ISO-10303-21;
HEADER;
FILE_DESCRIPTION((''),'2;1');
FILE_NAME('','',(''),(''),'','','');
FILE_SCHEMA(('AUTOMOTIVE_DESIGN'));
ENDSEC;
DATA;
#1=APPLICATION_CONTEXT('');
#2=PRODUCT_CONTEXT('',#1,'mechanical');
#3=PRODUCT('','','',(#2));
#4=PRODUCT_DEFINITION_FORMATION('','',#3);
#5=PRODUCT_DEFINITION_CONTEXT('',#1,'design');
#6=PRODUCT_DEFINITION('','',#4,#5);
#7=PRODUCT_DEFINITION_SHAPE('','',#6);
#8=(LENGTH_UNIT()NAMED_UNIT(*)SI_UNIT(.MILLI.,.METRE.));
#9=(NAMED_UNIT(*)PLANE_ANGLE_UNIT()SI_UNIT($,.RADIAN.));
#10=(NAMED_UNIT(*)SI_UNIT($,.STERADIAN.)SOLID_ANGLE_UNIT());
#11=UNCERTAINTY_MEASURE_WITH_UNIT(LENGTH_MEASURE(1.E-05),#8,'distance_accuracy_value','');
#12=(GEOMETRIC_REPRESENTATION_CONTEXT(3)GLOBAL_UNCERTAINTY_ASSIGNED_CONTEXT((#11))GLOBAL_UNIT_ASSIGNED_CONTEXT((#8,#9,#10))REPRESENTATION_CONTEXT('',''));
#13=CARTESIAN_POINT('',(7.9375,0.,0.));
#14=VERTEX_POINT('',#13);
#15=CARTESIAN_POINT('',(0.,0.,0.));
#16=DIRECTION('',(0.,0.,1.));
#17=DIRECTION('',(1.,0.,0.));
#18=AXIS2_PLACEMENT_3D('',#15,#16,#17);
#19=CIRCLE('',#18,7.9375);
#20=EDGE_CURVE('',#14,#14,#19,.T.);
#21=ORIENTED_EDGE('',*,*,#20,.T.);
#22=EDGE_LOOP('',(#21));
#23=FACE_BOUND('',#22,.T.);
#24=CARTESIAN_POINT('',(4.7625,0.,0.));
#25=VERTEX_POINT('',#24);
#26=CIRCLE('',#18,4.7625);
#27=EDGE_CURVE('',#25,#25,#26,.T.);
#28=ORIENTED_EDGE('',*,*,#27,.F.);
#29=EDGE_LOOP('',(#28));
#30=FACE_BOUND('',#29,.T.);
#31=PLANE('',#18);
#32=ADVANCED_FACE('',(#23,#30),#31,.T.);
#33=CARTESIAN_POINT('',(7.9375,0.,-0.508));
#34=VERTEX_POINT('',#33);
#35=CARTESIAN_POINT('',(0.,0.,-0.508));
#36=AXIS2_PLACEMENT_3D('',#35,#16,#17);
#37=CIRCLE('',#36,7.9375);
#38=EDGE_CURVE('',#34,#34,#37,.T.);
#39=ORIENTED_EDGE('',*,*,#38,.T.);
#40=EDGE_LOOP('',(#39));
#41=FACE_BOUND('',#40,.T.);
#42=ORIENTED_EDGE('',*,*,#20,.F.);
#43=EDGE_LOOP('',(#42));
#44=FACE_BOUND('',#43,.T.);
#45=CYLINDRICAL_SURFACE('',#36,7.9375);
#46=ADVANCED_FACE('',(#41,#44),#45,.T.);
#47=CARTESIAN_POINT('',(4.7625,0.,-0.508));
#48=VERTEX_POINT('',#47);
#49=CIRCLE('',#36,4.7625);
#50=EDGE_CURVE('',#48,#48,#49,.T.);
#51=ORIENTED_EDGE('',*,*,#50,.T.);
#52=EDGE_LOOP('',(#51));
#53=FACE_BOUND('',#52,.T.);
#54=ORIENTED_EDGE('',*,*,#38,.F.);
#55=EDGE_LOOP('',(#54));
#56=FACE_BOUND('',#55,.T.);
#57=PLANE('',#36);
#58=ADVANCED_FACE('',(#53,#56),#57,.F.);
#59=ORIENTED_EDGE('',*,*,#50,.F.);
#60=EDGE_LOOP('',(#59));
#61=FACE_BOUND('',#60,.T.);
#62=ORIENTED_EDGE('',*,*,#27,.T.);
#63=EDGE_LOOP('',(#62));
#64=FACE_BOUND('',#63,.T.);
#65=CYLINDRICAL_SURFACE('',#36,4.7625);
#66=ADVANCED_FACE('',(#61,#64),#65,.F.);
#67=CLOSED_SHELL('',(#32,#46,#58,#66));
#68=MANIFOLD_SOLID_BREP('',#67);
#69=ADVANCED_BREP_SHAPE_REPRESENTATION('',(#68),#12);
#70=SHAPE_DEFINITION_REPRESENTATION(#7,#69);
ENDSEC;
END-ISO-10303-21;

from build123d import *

# Parameters (mm, degrees)
FACE_2_R     = 7.9375
FACE_2_R_2   = 4.7625
WASHER_DEPTH = 0.508


with BuildPart() as part:
    # face 2 → washer (new body)
    with BuildSketch(Plane.XY):
        Circle(FACE_2_R)
        Circle(FACE_2_R_2, mode=Mode.SUBTRACT)
    extrude(amount=-WASHER_DEPTH)


solid = part.part
